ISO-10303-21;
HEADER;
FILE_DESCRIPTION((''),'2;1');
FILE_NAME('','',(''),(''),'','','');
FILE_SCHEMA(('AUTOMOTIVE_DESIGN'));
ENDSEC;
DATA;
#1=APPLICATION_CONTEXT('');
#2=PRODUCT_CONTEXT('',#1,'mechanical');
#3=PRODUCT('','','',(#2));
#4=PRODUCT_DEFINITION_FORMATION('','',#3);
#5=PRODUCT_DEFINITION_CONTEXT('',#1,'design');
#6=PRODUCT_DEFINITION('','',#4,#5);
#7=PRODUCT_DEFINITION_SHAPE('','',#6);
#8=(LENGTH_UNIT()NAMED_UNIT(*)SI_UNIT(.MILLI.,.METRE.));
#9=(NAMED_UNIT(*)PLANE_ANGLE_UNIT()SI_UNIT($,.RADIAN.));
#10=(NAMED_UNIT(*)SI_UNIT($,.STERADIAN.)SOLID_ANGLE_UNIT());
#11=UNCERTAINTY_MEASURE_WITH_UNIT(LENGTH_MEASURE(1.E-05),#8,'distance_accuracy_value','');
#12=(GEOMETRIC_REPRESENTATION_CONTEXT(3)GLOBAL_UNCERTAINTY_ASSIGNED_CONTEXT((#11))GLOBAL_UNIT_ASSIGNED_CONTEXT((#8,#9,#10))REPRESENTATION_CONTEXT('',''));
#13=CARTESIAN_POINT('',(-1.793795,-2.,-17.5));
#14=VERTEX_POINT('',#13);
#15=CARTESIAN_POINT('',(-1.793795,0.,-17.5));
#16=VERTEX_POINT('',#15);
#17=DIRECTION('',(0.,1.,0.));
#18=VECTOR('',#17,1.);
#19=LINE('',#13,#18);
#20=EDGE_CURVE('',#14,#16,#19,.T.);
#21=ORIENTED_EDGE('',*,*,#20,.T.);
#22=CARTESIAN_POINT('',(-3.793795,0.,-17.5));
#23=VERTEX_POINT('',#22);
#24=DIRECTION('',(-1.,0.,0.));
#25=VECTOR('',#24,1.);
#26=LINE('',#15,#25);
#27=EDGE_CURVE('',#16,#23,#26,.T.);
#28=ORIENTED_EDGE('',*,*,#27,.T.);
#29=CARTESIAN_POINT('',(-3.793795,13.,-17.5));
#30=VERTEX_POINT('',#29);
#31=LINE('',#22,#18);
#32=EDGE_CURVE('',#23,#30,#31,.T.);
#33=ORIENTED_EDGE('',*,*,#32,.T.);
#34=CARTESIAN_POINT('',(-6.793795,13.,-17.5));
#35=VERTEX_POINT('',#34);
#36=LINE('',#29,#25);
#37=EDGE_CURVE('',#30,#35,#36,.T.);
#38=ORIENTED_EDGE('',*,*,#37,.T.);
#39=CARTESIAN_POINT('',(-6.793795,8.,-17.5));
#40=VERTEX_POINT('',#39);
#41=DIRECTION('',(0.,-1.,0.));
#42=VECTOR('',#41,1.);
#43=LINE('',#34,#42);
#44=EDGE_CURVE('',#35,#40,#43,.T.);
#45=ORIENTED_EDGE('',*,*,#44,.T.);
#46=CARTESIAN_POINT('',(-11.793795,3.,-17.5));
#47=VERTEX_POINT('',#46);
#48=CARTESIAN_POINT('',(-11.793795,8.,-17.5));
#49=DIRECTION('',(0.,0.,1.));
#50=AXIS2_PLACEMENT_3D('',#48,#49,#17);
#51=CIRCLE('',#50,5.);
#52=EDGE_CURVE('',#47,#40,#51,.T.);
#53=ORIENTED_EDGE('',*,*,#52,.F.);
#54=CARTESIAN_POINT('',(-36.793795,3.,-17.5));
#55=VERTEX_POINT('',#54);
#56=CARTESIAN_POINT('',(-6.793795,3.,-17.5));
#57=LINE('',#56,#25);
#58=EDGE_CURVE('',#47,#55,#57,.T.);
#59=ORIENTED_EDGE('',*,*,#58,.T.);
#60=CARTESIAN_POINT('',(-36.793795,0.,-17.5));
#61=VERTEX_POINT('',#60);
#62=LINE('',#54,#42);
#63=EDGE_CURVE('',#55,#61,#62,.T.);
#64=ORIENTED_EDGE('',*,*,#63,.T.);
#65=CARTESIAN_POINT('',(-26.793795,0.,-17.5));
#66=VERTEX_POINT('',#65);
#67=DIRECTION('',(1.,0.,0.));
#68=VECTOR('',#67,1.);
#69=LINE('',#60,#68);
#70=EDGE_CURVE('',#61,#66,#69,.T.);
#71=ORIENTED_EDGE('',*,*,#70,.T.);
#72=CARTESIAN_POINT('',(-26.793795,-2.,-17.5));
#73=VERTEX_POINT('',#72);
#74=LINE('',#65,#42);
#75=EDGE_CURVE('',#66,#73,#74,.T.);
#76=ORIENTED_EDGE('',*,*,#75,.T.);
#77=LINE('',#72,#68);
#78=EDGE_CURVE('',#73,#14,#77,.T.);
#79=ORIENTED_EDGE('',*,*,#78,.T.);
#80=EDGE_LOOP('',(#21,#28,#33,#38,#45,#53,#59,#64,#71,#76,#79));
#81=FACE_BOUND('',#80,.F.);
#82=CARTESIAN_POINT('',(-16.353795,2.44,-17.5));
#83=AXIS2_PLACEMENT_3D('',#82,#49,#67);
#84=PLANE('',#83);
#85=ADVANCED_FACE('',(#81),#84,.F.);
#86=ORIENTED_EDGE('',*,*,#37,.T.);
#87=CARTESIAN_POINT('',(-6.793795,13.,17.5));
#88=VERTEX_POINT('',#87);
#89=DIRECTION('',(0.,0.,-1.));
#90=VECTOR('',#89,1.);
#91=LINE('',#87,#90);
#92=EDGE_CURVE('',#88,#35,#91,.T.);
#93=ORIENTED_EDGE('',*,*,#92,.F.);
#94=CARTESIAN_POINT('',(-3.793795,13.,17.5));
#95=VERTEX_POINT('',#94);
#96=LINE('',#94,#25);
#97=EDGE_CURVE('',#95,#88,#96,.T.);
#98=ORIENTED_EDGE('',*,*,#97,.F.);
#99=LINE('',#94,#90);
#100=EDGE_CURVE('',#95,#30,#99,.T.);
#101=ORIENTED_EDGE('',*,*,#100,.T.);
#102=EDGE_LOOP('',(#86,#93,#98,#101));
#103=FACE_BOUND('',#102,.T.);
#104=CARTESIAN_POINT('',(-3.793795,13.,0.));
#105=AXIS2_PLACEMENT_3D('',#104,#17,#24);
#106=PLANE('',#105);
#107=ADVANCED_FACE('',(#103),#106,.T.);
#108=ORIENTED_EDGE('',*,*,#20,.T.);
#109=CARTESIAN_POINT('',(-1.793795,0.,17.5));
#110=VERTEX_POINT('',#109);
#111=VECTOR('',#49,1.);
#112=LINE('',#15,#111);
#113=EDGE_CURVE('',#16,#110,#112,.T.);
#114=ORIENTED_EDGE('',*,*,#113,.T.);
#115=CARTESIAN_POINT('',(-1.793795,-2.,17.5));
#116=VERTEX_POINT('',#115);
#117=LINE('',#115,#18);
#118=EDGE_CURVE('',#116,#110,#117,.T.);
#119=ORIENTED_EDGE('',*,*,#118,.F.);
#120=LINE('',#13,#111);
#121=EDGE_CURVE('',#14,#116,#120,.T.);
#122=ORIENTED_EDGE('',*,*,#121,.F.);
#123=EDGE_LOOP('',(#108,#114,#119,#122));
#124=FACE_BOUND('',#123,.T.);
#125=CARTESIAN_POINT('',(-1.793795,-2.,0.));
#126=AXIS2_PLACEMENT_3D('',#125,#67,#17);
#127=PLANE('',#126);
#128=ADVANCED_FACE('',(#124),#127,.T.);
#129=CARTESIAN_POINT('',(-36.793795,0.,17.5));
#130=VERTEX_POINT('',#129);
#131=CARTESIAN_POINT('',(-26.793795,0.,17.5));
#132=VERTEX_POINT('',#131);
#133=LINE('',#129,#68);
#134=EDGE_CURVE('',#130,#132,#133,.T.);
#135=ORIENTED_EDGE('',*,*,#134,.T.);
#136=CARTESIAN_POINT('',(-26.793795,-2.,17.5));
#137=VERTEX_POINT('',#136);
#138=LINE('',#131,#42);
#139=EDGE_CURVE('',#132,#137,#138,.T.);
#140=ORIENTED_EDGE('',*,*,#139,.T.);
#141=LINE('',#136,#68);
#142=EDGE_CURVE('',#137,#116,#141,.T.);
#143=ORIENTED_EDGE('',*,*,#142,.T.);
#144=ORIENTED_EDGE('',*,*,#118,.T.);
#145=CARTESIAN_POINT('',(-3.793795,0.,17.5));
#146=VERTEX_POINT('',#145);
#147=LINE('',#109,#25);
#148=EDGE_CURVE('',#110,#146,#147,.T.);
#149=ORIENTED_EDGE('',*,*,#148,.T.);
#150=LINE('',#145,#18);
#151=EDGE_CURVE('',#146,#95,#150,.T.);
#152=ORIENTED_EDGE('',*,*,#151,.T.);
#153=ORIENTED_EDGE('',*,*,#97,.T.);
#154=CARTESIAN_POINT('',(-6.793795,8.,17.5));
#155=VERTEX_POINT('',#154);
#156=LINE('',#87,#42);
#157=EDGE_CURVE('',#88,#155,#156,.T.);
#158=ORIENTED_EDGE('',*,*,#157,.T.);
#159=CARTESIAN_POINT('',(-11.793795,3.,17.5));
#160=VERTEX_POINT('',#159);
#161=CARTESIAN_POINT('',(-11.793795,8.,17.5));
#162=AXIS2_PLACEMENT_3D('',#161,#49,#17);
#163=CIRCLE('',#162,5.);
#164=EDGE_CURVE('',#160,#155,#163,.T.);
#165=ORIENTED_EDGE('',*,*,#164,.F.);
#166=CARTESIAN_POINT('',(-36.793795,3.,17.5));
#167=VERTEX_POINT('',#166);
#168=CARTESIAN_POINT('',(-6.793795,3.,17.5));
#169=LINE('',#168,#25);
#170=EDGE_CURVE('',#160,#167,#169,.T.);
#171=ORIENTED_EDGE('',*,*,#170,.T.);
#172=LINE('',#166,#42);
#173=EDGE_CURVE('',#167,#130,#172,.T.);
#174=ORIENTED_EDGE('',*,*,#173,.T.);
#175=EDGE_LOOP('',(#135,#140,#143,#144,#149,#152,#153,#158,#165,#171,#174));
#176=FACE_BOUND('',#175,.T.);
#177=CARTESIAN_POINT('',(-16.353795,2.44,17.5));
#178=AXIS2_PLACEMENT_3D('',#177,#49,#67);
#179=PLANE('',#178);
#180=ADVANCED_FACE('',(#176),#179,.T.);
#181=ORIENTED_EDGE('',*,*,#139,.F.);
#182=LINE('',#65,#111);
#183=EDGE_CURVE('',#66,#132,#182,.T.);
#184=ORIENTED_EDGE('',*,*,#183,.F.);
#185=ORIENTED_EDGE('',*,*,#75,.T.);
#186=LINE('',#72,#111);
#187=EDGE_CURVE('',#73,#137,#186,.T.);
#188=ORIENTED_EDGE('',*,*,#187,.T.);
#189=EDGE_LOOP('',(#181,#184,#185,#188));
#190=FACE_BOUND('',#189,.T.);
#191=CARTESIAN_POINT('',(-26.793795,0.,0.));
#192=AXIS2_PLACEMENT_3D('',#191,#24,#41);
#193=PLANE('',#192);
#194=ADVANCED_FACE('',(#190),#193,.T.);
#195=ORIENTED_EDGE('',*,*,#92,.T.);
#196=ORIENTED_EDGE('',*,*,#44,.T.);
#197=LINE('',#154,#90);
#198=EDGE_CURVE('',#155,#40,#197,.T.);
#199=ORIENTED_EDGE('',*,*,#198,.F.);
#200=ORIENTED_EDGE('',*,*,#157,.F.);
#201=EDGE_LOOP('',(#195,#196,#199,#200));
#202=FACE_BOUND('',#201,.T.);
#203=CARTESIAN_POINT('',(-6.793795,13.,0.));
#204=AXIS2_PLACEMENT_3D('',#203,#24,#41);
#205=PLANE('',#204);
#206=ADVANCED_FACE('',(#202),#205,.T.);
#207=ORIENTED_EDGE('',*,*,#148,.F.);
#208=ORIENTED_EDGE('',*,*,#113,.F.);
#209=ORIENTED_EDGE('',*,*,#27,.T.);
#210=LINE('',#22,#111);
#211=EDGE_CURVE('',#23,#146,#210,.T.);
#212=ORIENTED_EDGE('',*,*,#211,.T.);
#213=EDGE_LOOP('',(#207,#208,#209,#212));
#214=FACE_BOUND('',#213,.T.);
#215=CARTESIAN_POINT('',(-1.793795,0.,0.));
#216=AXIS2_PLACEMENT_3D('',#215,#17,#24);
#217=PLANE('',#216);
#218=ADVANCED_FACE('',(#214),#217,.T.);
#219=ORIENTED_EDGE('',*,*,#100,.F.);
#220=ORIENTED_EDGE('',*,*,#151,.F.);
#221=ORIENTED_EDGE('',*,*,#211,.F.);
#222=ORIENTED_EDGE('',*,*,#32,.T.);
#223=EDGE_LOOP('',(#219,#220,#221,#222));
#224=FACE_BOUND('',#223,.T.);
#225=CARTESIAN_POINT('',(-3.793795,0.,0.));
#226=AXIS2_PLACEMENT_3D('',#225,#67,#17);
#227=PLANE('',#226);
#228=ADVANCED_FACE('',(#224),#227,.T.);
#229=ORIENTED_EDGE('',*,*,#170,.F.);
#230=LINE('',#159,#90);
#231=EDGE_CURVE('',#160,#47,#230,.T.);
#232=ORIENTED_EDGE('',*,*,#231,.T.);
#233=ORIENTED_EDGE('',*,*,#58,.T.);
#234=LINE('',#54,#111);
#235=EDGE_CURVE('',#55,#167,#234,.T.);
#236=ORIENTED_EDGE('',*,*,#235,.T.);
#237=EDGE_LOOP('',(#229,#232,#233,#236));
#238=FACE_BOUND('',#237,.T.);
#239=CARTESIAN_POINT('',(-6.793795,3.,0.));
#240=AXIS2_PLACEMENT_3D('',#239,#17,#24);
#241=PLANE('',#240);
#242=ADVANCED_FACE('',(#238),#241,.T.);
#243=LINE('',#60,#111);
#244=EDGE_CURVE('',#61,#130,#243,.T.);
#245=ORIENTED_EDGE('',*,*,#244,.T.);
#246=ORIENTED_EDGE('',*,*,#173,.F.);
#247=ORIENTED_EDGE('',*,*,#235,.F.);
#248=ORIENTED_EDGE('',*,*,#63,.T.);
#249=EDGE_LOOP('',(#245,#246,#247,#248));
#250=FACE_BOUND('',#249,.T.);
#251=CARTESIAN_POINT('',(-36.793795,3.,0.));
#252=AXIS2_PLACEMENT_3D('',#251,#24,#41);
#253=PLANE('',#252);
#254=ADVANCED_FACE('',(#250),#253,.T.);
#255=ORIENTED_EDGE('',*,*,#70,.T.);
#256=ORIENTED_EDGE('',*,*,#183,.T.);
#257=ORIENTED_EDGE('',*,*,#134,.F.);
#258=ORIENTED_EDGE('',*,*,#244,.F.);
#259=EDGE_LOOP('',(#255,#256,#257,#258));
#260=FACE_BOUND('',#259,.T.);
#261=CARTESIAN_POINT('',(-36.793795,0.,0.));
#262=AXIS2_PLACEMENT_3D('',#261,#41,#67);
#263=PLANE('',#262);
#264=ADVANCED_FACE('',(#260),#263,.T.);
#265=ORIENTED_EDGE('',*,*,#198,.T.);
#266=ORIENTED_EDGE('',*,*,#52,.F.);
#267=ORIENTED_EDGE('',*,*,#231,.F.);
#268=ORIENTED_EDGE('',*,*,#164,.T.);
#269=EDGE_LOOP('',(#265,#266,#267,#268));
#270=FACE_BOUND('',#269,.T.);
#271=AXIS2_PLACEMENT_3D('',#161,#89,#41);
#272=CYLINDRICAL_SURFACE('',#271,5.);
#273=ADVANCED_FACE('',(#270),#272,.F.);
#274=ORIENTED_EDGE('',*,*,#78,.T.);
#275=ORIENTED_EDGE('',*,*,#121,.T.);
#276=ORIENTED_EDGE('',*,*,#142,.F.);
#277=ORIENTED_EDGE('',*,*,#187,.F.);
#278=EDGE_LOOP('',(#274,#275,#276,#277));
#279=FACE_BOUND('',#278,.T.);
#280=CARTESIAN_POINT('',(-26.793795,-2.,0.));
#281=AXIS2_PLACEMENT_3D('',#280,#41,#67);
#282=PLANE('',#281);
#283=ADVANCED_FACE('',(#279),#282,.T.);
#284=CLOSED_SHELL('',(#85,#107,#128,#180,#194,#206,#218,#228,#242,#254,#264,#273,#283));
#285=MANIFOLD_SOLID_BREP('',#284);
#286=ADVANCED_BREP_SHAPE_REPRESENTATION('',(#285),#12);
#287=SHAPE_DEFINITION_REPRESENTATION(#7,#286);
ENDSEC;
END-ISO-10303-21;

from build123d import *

# Parameters (mm, degrees)
F1_DEPTH = 17.5
F2_R     = 5


with BuildPart() as f1:
    # F0 (on Top) → F1 (new body, symmetric)
    with BuildSketch(Plane.XY):
        Polygon((-6.7937952719, 3), (-36.7937952719, 3), (-36.7937952719, 0), (-26.7937952719, 0), (-26.7937952719, -2), (-3.7937952719, -2), (-1.7937952719, -2), (-1.7937952719, 0), (-3.7937952719, 0), (-3.7937952719, 13), (-6.7937952719, 13), align=None)
    extrude(amount=F1_DEPTH, both=True)

    # F2
    f2_edges = [f1.edges().sort_by_distance(p)[0] for p in [
        (-6.793795, 3, 0),
    ]]
    fillet(f2_edges, radius=F2_R)


solid = f1.part
